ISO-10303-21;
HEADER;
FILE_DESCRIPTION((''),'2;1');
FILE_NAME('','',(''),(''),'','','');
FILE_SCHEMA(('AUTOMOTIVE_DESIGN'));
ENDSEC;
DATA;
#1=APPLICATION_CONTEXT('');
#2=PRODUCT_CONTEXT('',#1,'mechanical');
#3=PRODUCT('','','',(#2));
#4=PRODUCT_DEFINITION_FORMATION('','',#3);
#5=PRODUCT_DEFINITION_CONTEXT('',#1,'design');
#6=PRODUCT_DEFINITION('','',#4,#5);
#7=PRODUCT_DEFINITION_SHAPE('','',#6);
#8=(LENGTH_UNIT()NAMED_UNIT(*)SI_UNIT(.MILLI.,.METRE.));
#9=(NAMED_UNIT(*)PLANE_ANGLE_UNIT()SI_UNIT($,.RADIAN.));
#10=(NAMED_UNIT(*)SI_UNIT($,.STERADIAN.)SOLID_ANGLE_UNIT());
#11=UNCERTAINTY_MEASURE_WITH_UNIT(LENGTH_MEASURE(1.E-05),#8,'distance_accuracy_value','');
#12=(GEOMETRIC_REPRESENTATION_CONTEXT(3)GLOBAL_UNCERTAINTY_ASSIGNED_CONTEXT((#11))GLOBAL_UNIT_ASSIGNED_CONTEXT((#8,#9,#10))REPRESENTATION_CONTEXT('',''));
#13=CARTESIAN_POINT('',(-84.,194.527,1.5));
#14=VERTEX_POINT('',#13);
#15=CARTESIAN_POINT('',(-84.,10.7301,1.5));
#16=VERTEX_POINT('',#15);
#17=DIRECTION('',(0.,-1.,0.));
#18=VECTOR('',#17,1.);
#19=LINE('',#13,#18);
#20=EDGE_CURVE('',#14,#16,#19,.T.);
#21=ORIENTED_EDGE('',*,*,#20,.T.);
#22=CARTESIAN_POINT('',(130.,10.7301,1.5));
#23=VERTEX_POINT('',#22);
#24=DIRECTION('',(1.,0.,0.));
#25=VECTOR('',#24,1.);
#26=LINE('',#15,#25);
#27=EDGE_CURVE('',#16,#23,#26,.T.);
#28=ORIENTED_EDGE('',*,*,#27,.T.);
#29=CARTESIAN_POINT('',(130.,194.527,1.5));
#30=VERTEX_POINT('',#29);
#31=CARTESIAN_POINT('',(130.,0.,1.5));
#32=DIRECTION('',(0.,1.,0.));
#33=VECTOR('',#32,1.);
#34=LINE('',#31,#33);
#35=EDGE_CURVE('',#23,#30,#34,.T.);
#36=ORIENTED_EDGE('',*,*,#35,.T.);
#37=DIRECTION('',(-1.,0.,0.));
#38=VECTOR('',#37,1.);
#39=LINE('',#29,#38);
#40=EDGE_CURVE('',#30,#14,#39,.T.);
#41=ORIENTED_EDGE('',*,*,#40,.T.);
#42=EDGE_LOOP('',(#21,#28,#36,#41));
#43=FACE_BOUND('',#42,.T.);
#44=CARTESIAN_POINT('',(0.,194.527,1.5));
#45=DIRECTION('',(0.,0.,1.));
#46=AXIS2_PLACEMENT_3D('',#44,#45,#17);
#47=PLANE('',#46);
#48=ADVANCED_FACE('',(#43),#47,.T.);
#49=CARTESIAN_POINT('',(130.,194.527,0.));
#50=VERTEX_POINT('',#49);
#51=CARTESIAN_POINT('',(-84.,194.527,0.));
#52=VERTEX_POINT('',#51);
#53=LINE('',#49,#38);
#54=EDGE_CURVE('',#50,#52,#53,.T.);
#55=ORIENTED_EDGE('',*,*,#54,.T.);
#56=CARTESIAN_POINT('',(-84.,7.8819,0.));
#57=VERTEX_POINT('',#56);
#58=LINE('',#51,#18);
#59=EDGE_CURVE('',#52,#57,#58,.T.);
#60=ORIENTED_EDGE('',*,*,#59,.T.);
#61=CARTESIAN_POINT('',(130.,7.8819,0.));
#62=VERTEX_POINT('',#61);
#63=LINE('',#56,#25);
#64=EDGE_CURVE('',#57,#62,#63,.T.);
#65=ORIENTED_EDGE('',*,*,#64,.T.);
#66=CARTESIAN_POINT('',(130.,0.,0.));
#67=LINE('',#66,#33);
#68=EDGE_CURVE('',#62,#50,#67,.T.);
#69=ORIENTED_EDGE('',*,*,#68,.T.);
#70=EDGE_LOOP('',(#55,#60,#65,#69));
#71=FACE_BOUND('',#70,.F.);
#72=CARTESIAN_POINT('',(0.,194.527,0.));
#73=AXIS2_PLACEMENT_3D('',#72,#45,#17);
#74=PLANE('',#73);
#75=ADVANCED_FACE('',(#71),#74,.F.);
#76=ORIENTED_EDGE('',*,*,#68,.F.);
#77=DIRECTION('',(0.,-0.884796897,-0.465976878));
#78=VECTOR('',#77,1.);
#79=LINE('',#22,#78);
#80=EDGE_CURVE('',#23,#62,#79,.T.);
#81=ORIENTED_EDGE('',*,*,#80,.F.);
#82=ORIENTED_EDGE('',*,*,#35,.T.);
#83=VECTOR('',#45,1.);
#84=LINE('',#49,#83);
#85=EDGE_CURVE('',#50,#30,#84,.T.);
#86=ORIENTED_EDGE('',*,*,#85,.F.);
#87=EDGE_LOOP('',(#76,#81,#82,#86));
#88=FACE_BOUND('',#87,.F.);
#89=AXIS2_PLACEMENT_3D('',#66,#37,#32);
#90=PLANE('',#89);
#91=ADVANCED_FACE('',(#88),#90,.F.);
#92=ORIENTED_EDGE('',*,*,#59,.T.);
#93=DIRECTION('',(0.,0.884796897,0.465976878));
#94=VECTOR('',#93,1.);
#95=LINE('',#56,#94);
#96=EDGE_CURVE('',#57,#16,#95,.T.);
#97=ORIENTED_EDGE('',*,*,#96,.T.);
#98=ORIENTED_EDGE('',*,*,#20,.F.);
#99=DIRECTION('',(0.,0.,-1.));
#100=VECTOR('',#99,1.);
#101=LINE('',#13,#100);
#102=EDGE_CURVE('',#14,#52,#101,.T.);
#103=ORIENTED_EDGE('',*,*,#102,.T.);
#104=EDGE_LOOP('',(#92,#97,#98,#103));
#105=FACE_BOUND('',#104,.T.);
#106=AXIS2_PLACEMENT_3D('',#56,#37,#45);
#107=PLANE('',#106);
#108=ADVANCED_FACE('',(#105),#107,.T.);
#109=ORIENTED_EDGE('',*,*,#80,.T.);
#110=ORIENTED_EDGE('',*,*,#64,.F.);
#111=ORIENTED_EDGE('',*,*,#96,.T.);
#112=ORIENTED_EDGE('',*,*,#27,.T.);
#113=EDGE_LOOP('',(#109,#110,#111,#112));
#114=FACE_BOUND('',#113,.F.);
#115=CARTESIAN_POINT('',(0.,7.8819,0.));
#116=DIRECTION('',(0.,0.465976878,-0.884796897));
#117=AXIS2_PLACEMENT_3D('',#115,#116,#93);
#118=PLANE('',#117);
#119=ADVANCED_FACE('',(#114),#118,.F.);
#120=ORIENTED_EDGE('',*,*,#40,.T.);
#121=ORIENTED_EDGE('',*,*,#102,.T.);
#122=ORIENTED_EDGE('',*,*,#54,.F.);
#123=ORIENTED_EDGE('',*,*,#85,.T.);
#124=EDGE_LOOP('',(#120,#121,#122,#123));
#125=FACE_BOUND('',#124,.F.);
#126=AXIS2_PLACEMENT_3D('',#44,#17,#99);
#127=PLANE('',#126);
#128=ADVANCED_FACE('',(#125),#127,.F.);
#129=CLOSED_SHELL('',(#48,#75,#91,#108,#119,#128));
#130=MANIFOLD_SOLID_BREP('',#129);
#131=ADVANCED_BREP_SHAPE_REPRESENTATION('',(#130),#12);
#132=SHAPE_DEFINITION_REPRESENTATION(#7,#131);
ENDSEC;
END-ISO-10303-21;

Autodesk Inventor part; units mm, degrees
ref_plane "YZ Plane" through (0, 0, 0) normal (1, 0, 0) x (0, 1, 0)
ref_plane "XZ Plane" through (0, 0, 0) normal (0, 1, 0) x (-1, 0, 0)
ref_plane "XY Plane" through (0, 0, 0) normal (0, 0, 1) x (1, 0, 0)
sketch "Эскиз1" plane through (0, 0, 0) normal (0, 0, 1) x (1, 0, 0)
  line L0 (0, 0) -> (130, 0)
  line L1 (130, 0) -> (130, 240)
  line L2 (130, 240) -> (0, 240)
  line L3 (0, 240) -> (0, 0)
  dimension "d0" = 130
  dimension "d1" = 240
extrude "Выдавливание1" add sketch "Эскиз1" along normal blind 1.5
ref_plane "РабПлоскость1" through (130, 7.8819, 0) normal (1, 0, 0) x (0, 0, -1)
sketch "Эскиз3" plane through (130, 7.8819, 0) normal (1, 0, 0) x (0, 0, -1)
  line L0 (-1.5, 2.8482) -> (0, 0) projected
  line L1 (0, 0) -> (-1.5, 2.8482)
  line L2 (0, -7.8819) -> (0, 232.1181) projected
  line L3 (0, 232.1181) -> (-1.5, 232.1181) projected
  line L4 (-1.5, -7.8819) -> (-1.5, 232.1181) projected
  line L5 (0, -7.8819) -> (-1.5, -7.8819) projected
  point P0 (0, -7.8819)
  point P1 (0, 0)
  point P2 (-1.5, 2.8482)
extrude "Выдавливание3" cut sketch "Эскиз3" against normal through all contours L0 L2 L5 L4
sketch "Эскиз4" plane through (0, 0, 0) normal (0, 0, -1) x (-1, 0, 0)
  line L0 (-186.9271, 194.527) -> (57.0729, 194.527) projected
  line L1 (-130, 7.8819) -> (0, 7.8819) projected
  line L2 (0, 240) -> (0, 7.8819) projected
  line L3 (-130, 240) -> (0, 240) projected
  line L4 (-130, 7.8819) -> (-130, 240) projected
  point P0 (0, 0)
  point P1 (-130, 194.527)
  point P2 (0, 194.527)
extrude "Выдавливание4" cut sketch "Эскиз4" against normal blind 10 contours L4 L3 L2 L0
sketch "Эскиз5" plane through (0, 7.8819, 0) normal (-1, 0, 0) x (0, 0, 1)
  line L0 (1.5, 186.6451) -> (0, 186.6451) projected
  line L1 (0, 186.6451) -> (0, 0) projected
  line L2 (0, 0) -> (1.5, 2.8482) projected
  line L3 (1.5, 186.6451) -> (1.5, 2.8482) projected
  point P0 (0, -7.8819)
extrude "Выдавливание5" add sketch "Эскиз5" along normal blind 84
sketch "Эскиз6" plane through (130, 7.8819, 0) normal (1, 0, 0) x (0, 0, -1)
  line L0 (0, 186.6451) -> (0, 0) projected
  line L1 (0, 0) -> (-1.5, 2.8482) projected
  line L2 (-1.5, 2.8482) -> (-1.5, 186.6451) projected
  line L3 (-1.5, 186.6451) -> (0, 186.6451) projected
  line L4 (8.5, 202.2968) -> (8.5, 0)
  circle A0 centre (515.0502, 101.1484) radius 516.5502
  circle A1 centre (515.0502, 101.1484) radius 514.5502
  point P0 (0, -7.8819)
  point P1 (8.5, 10.767)
  point P2 (8.5, 191.5298)
  point P3 (0, 140.4854)
  point P4 (0, 61.8114)
  dimension "d14" = 10
  dimension "d15" = 2
sketch "Эскиз7" plane through (-84, 7.8819, 0) normal (-1, 0, 0) x (0, 0, 1)
  point P0 (0, -7.8819)
sketch "Эскиз8" plane through (130, 10.73, 1.5) normal (1, 0, 0) x (0, 0, -1)
  line L0 (74.6894, 55.2388) -> (-105.8733, 389.5996) projected
  line L1 (1.0792, 191.548) -> (24.6268, 147.9433)
  line L2 (24.6268, 147.9433) -> (43.5247, 158.1486)
  line L3 (43.5247, 158.1486) -> (19.9771, 201.7533)
  line L4 (19.9771, 201.7533) -> (1.0792, 191.548)
  point P0 (1.5, -10.73)
extrude "Выдавливание7" cut sketch "Эскиз8" against normal through all
sketch "Эскиз9" plane through (-84, 7.8819, 0) normal (-1, 0, 0) x (0, 0, 1)
  line L0 (0, 186.6451) -> (0, 0) projected
  line L1 (0, 0) -> (1.5, 2.8482) projected
  line L2 (1.5, 2.8482) -> (1.5, 186.6451) projected
  arc A0 (-8.5, 0) -> (0, 140.4854) centre (-515.0502, 101.1484) ccw
  line L3 (1.5, 186.6451) -> (0, 186.6451) projected
  point P0 (0, -7.8819)
properties part number "наклон"
